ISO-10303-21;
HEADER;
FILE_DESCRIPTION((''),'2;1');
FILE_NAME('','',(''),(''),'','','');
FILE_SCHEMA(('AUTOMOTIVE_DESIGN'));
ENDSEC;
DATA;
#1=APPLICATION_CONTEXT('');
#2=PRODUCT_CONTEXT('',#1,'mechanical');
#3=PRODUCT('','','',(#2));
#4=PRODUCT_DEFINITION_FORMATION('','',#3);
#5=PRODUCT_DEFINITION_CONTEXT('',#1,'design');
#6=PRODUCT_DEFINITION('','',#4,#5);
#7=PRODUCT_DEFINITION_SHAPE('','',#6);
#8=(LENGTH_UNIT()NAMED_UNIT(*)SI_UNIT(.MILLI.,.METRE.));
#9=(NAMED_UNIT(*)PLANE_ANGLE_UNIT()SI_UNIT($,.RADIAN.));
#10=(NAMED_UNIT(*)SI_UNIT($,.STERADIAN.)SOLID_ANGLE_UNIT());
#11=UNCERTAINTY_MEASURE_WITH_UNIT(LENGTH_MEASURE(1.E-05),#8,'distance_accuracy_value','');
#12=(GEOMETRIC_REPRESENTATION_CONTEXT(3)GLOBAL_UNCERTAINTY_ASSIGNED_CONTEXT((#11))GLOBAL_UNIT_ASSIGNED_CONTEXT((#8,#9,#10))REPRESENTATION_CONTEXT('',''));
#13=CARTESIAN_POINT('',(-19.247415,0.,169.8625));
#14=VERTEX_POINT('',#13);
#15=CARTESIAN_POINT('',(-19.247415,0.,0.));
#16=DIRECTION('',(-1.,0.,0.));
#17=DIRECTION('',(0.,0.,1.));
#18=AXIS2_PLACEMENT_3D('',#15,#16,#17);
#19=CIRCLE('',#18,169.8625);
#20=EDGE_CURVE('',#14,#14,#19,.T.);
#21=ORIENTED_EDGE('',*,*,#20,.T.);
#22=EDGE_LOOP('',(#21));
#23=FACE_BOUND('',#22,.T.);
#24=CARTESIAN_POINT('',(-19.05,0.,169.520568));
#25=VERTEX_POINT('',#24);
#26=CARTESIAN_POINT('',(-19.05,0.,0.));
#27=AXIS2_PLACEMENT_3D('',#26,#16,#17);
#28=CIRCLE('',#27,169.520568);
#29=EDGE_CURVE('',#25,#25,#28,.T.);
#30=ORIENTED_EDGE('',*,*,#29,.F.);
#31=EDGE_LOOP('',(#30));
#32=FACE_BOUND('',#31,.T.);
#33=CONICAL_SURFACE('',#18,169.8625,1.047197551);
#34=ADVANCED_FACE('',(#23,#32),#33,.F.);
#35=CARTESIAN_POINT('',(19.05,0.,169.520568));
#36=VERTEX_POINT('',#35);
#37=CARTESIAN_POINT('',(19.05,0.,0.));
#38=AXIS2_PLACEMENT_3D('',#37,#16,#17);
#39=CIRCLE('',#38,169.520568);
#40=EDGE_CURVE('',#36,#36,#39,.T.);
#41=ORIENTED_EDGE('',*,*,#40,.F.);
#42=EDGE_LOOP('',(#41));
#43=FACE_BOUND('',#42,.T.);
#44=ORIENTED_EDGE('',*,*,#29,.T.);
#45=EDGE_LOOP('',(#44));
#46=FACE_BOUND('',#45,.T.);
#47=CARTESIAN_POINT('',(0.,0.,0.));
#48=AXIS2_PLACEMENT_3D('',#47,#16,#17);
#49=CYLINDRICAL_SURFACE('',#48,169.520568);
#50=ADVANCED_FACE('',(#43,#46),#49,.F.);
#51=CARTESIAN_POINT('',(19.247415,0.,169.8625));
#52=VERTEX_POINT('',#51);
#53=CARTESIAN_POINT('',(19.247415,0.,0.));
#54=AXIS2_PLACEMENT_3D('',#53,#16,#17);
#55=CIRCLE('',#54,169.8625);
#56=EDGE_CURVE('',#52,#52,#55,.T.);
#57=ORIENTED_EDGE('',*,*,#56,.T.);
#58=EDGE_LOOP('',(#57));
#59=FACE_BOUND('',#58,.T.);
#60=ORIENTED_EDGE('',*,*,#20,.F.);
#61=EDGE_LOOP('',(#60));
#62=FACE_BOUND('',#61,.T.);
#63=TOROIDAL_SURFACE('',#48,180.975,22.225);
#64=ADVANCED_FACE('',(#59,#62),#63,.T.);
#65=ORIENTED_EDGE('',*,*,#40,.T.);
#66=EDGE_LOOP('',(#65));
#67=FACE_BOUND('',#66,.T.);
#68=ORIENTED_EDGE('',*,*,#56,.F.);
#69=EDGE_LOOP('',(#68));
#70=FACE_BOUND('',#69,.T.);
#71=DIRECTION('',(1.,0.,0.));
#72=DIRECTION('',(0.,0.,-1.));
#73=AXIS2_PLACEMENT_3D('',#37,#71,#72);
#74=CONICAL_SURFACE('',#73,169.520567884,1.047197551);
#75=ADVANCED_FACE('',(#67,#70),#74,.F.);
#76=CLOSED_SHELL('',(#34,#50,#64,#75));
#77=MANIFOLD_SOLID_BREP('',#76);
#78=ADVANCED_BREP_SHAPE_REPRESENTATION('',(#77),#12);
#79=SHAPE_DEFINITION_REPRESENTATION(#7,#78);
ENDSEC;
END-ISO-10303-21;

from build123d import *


with BuildPart() as part:
    # Sketch1 → Revolve1 (revolve)
    with BuildSketch(Plane.XY):
        with BuildLine():
            Line((-19.247414599, 169.8625), (-19.05, 169.520567884))
            Line((-19.05, 169.520567884), (19.05, 169.520567884))
            Line((19.05, 169.520567884), (19.247414599, 169.8625))
            ThreePointArc((19.247414599, 169.8625), (0, 203.2), (-19.247414599, 169.8625))
        make_face()
    revolve(axis=Axis((0, 0, 0), (1, 0, 0)))


solid = part.part
